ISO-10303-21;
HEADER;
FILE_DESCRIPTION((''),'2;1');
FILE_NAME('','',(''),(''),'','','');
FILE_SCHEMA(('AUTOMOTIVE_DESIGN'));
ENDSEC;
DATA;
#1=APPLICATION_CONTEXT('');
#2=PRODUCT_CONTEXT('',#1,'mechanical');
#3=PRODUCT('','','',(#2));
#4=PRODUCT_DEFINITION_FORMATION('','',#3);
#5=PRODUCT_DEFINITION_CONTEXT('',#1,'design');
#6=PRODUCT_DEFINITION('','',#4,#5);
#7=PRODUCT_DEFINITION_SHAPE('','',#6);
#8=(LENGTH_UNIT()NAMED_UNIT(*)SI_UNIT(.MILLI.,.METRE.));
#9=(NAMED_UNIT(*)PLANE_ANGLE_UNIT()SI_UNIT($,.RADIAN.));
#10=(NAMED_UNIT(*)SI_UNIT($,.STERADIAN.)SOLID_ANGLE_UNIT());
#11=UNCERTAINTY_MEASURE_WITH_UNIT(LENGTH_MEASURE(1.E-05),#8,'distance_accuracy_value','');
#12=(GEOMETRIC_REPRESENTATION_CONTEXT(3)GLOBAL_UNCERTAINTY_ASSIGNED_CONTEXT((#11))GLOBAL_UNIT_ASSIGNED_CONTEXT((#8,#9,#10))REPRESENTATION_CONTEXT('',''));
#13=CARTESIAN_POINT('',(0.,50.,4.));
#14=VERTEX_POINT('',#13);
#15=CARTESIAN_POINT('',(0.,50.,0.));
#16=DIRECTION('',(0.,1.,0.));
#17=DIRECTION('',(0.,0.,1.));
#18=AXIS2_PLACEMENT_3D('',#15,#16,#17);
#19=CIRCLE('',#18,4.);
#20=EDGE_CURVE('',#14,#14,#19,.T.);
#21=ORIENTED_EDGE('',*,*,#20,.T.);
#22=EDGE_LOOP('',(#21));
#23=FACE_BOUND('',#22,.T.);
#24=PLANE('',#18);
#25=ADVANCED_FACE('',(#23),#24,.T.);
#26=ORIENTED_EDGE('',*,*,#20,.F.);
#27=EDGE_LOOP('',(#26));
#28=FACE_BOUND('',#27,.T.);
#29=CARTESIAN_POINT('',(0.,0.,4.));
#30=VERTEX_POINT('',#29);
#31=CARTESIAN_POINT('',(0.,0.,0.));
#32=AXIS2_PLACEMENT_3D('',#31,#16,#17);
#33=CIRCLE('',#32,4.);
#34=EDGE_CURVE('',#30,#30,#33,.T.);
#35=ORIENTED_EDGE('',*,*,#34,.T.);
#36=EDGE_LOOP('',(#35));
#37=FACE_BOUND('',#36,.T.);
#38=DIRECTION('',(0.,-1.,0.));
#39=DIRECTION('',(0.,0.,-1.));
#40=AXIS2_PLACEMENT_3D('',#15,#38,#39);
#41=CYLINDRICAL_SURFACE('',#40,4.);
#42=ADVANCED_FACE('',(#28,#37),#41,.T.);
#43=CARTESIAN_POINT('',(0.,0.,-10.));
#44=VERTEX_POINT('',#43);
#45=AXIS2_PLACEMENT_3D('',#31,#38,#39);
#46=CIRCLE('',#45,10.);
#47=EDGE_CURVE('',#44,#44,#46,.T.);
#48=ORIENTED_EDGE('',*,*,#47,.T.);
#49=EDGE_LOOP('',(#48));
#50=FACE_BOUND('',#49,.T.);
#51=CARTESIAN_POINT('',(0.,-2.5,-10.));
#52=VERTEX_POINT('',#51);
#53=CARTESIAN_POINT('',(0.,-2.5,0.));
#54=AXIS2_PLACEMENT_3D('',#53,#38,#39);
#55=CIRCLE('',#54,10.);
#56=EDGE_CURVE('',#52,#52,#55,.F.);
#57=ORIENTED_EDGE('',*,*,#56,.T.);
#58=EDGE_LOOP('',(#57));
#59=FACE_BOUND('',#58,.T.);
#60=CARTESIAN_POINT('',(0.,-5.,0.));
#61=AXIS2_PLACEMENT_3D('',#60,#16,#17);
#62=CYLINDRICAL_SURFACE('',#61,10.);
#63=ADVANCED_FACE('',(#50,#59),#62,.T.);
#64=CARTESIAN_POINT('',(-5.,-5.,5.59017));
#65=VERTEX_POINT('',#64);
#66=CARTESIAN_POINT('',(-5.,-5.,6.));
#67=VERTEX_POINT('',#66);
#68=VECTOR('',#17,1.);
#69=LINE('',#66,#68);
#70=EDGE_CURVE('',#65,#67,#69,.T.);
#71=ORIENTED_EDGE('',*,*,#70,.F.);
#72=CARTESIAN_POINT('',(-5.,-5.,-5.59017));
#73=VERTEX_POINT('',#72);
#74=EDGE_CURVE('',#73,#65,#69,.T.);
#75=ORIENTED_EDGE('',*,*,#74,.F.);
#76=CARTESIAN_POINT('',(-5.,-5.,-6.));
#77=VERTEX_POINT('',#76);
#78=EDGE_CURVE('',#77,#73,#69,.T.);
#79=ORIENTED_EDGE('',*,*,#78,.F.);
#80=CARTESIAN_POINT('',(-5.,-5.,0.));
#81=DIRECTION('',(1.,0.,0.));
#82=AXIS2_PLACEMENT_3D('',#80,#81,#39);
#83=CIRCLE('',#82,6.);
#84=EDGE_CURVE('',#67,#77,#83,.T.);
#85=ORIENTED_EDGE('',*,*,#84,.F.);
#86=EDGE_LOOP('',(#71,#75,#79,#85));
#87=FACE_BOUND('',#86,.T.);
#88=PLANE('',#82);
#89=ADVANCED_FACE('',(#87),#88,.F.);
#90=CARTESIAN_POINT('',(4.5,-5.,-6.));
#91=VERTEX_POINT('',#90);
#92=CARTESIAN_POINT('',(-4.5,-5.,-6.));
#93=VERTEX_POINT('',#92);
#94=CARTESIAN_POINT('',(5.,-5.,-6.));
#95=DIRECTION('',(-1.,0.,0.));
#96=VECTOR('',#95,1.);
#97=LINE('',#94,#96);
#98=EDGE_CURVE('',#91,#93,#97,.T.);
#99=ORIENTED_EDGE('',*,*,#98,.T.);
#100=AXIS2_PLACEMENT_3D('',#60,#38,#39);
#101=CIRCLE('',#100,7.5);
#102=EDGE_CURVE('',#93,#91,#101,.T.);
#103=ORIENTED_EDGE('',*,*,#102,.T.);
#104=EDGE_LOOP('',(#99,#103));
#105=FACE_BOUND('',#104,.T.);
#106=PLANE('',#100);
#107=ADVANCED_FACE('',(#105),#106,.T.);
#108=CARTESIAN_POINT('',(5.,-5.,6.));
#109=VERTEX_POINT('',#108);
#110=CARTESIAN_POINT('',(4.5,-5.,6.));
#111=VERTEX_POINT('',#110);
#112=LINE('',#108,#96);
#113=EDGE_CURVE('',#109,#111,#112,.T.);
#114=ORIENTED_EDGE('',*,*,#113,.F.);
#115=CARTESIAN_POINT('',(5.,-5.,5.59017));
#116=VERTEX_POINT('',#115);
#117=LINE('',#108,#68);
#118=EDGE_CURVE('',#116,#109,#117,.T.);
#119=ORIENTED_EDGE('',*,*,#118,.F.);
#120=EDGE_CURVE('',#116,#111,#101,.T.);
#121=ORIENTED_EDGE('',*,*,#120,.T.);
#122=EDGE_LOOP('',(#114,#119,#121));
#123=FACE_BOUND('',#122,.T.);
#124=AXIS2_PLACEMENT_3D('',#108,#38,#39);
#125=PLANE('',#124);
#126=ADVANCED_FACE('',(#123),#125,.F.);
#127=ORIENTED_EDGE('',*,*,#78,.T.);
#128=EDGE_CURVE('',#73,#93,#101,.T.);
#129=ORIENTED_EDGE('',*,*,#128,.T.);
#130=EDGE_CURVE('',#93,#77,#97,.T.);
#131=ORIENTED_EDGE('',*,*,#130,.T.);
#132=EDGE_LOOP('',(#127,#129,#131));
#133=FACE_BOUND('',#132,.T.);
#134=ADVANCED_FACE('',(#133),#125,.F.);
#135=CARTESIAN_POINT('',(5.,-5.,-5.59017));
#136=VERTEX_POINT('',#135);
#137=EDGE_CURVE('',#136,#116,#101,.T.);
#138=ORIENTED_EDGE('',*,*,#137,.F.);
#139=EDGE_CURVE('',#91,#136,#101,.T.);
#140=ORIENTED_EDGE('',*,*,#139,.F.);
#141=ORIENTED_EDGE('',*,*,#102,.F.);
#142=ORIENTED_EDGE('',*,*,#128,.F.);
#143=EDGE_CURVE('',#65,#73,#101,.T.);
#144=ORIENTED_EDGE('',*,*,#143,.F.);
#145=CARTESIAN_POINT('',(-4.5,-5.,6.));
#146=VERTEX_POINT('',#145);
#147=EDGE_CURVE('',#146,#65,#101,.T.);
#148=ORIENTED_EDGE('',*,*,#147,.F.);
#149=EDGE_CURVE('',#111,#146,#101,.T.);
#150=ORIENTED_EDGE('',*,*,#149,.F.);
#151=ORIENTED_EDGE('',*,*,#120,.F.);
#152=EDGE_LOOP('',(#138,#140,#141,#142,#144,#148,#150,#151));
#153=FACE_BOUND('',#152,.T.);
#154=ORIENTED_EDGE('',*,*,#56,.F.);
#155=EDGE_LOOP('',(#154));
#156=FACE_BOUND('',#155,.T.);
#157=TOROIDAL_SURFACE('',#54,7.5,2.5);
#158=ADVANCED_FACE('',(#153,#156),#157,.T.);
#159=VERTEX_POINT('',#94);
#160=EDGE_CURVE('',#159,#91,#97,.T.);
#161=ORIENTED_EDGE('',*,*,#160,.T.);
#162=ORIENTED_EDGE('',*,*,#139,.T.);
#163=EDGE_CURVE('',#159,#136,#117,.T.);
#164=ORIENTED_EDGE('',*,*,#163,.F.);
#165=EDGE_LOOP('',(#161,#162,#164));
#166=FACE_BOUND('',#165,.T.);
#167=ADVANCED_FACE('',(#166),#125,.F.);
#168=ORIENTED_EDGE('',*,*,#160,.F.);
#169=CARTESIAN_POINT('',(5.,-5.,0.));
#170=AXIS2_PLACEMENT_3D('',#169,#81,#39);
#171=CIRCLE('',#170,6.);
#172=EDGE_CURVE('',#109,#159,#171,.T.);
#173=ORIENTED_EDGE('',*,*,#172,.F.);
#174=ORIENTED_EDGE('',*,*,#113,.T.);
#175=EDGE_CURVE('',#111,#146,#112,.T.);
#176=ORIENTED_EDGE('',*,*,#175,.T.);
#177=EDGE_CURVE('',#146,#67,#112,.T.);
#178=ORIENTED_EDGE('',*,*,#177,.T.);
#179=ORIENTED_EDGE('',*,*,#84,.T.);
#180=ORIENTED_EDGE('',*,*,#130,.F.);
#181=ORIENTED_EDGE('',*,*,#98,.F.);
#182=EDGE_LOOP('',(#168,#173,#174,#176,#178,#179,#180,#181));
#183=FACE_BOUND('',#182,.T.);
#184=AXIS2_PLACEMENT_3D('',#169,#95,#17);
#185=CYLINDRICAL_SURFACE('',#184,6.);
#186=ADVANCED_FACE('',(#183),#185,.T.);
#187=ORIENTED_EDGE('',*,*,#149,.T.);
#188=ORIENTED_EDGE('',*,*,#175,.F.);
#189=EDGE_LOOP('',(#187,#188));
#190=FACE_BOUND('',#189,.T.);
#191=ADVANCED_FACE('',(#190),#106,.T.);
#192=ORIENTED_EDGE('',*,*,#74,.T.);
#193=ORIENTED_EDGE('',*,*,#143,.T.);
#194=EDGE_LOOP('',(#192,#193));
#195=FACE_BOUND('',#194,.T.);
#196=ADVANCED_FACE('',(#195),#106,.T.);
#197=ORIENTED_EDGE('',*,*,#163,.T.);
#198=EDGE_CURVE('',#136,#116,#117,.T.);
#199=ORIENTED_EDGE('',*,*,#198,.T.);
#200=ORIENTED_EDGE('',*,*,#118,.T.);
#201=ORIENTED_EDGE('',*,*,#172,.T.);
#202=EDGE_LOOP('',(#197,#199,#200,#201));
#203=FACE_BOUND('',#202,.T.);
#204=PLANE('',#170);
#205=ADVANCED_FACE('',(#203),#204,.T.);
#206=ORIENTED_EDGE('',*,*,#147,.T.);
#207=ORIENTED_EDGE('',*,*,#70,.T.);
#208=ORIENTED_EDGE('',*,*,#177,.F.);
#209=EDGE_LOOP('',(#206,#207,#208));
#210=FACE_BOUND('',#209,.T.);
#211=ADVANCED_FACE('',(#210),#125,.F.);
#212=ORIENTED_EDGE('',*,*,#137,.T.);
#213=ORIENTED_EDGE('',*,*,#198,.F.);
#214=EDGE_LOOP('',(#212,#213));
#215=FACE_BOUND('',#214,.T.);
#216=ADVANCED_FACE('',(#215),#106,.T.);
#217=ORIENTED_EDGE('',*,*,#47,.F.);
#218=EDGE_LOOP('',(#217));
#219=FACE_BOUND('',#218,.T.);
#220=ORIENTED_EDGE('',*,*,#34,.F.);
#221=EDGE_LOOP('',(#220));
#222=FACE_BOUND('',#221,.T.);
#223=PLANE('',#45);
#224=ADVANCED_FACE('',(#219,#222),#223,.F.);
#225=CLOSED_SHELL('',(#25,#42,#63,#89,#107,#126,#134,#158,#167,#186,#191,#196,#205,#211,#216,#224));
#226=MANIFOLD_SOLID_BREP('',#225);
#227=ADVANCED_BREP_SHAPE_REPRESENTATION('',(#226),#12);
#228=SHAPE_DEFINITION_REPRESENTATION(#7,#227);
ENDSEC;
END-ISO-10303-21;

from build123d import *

# Parameters (mm, degrees)
SKETCH1_R           = 4
BOSS_EXTRUDE1_DEPTH = 50
SKETCH3_R           = 10
BOSS_EXTRUDE2_DEPTH = 5
FILLET1_R           = 2.5
BOSS_EXTRUDE3_DEPTH = 5


with BuildPart() as part:
    # Sketch1 → Boss-Extrude1 (new body)
    with BuildSketch(Plane(origin=(0, 0, 0), x_dir=(1, 0, 0), z_dir=(0, 1, 0))):
        with Locations(Location((0, 0, 0), (0, 0, 270))):
            Circle(SKETCH1_R)
    extrude(amount=BOSS_EXTRUDE1_DEPTH)

    # Sketch3 → Boss-Extrude2 (add)
    with BuildSketch(Plane.XZ):
        with Locations(Location((0, 0, 0), (0, 0, 270))):
            Circle(SKETCH3_R)
    extrude(amount=BOSS_EXTRUDE2_DEPTH)

    # Fillet1
    fillet1_edges = [part.edges().sort_by_distance(p)[0] for p in [
        (0, -5, 10),
    ]]
    fillet(fillet1_edges, radius=FILLET1_R)

    # Sketch4 → Boss-Extrude3 (add, symmetric)
    with BuildSketch(Plane(origin=(0, 0, 0), x_dir=(0, 0, -1), z_dir=(1, 0, 0))):
        with BuildLine():
            Line((-6, -5), (6, -5))
            ThreePointArc((6, -5), (0, -11), (-6, -5))
        make_face()
    extrude(amount=BOSS_EXTRUDE3_DEPTH, both=True)


solid = part.part
